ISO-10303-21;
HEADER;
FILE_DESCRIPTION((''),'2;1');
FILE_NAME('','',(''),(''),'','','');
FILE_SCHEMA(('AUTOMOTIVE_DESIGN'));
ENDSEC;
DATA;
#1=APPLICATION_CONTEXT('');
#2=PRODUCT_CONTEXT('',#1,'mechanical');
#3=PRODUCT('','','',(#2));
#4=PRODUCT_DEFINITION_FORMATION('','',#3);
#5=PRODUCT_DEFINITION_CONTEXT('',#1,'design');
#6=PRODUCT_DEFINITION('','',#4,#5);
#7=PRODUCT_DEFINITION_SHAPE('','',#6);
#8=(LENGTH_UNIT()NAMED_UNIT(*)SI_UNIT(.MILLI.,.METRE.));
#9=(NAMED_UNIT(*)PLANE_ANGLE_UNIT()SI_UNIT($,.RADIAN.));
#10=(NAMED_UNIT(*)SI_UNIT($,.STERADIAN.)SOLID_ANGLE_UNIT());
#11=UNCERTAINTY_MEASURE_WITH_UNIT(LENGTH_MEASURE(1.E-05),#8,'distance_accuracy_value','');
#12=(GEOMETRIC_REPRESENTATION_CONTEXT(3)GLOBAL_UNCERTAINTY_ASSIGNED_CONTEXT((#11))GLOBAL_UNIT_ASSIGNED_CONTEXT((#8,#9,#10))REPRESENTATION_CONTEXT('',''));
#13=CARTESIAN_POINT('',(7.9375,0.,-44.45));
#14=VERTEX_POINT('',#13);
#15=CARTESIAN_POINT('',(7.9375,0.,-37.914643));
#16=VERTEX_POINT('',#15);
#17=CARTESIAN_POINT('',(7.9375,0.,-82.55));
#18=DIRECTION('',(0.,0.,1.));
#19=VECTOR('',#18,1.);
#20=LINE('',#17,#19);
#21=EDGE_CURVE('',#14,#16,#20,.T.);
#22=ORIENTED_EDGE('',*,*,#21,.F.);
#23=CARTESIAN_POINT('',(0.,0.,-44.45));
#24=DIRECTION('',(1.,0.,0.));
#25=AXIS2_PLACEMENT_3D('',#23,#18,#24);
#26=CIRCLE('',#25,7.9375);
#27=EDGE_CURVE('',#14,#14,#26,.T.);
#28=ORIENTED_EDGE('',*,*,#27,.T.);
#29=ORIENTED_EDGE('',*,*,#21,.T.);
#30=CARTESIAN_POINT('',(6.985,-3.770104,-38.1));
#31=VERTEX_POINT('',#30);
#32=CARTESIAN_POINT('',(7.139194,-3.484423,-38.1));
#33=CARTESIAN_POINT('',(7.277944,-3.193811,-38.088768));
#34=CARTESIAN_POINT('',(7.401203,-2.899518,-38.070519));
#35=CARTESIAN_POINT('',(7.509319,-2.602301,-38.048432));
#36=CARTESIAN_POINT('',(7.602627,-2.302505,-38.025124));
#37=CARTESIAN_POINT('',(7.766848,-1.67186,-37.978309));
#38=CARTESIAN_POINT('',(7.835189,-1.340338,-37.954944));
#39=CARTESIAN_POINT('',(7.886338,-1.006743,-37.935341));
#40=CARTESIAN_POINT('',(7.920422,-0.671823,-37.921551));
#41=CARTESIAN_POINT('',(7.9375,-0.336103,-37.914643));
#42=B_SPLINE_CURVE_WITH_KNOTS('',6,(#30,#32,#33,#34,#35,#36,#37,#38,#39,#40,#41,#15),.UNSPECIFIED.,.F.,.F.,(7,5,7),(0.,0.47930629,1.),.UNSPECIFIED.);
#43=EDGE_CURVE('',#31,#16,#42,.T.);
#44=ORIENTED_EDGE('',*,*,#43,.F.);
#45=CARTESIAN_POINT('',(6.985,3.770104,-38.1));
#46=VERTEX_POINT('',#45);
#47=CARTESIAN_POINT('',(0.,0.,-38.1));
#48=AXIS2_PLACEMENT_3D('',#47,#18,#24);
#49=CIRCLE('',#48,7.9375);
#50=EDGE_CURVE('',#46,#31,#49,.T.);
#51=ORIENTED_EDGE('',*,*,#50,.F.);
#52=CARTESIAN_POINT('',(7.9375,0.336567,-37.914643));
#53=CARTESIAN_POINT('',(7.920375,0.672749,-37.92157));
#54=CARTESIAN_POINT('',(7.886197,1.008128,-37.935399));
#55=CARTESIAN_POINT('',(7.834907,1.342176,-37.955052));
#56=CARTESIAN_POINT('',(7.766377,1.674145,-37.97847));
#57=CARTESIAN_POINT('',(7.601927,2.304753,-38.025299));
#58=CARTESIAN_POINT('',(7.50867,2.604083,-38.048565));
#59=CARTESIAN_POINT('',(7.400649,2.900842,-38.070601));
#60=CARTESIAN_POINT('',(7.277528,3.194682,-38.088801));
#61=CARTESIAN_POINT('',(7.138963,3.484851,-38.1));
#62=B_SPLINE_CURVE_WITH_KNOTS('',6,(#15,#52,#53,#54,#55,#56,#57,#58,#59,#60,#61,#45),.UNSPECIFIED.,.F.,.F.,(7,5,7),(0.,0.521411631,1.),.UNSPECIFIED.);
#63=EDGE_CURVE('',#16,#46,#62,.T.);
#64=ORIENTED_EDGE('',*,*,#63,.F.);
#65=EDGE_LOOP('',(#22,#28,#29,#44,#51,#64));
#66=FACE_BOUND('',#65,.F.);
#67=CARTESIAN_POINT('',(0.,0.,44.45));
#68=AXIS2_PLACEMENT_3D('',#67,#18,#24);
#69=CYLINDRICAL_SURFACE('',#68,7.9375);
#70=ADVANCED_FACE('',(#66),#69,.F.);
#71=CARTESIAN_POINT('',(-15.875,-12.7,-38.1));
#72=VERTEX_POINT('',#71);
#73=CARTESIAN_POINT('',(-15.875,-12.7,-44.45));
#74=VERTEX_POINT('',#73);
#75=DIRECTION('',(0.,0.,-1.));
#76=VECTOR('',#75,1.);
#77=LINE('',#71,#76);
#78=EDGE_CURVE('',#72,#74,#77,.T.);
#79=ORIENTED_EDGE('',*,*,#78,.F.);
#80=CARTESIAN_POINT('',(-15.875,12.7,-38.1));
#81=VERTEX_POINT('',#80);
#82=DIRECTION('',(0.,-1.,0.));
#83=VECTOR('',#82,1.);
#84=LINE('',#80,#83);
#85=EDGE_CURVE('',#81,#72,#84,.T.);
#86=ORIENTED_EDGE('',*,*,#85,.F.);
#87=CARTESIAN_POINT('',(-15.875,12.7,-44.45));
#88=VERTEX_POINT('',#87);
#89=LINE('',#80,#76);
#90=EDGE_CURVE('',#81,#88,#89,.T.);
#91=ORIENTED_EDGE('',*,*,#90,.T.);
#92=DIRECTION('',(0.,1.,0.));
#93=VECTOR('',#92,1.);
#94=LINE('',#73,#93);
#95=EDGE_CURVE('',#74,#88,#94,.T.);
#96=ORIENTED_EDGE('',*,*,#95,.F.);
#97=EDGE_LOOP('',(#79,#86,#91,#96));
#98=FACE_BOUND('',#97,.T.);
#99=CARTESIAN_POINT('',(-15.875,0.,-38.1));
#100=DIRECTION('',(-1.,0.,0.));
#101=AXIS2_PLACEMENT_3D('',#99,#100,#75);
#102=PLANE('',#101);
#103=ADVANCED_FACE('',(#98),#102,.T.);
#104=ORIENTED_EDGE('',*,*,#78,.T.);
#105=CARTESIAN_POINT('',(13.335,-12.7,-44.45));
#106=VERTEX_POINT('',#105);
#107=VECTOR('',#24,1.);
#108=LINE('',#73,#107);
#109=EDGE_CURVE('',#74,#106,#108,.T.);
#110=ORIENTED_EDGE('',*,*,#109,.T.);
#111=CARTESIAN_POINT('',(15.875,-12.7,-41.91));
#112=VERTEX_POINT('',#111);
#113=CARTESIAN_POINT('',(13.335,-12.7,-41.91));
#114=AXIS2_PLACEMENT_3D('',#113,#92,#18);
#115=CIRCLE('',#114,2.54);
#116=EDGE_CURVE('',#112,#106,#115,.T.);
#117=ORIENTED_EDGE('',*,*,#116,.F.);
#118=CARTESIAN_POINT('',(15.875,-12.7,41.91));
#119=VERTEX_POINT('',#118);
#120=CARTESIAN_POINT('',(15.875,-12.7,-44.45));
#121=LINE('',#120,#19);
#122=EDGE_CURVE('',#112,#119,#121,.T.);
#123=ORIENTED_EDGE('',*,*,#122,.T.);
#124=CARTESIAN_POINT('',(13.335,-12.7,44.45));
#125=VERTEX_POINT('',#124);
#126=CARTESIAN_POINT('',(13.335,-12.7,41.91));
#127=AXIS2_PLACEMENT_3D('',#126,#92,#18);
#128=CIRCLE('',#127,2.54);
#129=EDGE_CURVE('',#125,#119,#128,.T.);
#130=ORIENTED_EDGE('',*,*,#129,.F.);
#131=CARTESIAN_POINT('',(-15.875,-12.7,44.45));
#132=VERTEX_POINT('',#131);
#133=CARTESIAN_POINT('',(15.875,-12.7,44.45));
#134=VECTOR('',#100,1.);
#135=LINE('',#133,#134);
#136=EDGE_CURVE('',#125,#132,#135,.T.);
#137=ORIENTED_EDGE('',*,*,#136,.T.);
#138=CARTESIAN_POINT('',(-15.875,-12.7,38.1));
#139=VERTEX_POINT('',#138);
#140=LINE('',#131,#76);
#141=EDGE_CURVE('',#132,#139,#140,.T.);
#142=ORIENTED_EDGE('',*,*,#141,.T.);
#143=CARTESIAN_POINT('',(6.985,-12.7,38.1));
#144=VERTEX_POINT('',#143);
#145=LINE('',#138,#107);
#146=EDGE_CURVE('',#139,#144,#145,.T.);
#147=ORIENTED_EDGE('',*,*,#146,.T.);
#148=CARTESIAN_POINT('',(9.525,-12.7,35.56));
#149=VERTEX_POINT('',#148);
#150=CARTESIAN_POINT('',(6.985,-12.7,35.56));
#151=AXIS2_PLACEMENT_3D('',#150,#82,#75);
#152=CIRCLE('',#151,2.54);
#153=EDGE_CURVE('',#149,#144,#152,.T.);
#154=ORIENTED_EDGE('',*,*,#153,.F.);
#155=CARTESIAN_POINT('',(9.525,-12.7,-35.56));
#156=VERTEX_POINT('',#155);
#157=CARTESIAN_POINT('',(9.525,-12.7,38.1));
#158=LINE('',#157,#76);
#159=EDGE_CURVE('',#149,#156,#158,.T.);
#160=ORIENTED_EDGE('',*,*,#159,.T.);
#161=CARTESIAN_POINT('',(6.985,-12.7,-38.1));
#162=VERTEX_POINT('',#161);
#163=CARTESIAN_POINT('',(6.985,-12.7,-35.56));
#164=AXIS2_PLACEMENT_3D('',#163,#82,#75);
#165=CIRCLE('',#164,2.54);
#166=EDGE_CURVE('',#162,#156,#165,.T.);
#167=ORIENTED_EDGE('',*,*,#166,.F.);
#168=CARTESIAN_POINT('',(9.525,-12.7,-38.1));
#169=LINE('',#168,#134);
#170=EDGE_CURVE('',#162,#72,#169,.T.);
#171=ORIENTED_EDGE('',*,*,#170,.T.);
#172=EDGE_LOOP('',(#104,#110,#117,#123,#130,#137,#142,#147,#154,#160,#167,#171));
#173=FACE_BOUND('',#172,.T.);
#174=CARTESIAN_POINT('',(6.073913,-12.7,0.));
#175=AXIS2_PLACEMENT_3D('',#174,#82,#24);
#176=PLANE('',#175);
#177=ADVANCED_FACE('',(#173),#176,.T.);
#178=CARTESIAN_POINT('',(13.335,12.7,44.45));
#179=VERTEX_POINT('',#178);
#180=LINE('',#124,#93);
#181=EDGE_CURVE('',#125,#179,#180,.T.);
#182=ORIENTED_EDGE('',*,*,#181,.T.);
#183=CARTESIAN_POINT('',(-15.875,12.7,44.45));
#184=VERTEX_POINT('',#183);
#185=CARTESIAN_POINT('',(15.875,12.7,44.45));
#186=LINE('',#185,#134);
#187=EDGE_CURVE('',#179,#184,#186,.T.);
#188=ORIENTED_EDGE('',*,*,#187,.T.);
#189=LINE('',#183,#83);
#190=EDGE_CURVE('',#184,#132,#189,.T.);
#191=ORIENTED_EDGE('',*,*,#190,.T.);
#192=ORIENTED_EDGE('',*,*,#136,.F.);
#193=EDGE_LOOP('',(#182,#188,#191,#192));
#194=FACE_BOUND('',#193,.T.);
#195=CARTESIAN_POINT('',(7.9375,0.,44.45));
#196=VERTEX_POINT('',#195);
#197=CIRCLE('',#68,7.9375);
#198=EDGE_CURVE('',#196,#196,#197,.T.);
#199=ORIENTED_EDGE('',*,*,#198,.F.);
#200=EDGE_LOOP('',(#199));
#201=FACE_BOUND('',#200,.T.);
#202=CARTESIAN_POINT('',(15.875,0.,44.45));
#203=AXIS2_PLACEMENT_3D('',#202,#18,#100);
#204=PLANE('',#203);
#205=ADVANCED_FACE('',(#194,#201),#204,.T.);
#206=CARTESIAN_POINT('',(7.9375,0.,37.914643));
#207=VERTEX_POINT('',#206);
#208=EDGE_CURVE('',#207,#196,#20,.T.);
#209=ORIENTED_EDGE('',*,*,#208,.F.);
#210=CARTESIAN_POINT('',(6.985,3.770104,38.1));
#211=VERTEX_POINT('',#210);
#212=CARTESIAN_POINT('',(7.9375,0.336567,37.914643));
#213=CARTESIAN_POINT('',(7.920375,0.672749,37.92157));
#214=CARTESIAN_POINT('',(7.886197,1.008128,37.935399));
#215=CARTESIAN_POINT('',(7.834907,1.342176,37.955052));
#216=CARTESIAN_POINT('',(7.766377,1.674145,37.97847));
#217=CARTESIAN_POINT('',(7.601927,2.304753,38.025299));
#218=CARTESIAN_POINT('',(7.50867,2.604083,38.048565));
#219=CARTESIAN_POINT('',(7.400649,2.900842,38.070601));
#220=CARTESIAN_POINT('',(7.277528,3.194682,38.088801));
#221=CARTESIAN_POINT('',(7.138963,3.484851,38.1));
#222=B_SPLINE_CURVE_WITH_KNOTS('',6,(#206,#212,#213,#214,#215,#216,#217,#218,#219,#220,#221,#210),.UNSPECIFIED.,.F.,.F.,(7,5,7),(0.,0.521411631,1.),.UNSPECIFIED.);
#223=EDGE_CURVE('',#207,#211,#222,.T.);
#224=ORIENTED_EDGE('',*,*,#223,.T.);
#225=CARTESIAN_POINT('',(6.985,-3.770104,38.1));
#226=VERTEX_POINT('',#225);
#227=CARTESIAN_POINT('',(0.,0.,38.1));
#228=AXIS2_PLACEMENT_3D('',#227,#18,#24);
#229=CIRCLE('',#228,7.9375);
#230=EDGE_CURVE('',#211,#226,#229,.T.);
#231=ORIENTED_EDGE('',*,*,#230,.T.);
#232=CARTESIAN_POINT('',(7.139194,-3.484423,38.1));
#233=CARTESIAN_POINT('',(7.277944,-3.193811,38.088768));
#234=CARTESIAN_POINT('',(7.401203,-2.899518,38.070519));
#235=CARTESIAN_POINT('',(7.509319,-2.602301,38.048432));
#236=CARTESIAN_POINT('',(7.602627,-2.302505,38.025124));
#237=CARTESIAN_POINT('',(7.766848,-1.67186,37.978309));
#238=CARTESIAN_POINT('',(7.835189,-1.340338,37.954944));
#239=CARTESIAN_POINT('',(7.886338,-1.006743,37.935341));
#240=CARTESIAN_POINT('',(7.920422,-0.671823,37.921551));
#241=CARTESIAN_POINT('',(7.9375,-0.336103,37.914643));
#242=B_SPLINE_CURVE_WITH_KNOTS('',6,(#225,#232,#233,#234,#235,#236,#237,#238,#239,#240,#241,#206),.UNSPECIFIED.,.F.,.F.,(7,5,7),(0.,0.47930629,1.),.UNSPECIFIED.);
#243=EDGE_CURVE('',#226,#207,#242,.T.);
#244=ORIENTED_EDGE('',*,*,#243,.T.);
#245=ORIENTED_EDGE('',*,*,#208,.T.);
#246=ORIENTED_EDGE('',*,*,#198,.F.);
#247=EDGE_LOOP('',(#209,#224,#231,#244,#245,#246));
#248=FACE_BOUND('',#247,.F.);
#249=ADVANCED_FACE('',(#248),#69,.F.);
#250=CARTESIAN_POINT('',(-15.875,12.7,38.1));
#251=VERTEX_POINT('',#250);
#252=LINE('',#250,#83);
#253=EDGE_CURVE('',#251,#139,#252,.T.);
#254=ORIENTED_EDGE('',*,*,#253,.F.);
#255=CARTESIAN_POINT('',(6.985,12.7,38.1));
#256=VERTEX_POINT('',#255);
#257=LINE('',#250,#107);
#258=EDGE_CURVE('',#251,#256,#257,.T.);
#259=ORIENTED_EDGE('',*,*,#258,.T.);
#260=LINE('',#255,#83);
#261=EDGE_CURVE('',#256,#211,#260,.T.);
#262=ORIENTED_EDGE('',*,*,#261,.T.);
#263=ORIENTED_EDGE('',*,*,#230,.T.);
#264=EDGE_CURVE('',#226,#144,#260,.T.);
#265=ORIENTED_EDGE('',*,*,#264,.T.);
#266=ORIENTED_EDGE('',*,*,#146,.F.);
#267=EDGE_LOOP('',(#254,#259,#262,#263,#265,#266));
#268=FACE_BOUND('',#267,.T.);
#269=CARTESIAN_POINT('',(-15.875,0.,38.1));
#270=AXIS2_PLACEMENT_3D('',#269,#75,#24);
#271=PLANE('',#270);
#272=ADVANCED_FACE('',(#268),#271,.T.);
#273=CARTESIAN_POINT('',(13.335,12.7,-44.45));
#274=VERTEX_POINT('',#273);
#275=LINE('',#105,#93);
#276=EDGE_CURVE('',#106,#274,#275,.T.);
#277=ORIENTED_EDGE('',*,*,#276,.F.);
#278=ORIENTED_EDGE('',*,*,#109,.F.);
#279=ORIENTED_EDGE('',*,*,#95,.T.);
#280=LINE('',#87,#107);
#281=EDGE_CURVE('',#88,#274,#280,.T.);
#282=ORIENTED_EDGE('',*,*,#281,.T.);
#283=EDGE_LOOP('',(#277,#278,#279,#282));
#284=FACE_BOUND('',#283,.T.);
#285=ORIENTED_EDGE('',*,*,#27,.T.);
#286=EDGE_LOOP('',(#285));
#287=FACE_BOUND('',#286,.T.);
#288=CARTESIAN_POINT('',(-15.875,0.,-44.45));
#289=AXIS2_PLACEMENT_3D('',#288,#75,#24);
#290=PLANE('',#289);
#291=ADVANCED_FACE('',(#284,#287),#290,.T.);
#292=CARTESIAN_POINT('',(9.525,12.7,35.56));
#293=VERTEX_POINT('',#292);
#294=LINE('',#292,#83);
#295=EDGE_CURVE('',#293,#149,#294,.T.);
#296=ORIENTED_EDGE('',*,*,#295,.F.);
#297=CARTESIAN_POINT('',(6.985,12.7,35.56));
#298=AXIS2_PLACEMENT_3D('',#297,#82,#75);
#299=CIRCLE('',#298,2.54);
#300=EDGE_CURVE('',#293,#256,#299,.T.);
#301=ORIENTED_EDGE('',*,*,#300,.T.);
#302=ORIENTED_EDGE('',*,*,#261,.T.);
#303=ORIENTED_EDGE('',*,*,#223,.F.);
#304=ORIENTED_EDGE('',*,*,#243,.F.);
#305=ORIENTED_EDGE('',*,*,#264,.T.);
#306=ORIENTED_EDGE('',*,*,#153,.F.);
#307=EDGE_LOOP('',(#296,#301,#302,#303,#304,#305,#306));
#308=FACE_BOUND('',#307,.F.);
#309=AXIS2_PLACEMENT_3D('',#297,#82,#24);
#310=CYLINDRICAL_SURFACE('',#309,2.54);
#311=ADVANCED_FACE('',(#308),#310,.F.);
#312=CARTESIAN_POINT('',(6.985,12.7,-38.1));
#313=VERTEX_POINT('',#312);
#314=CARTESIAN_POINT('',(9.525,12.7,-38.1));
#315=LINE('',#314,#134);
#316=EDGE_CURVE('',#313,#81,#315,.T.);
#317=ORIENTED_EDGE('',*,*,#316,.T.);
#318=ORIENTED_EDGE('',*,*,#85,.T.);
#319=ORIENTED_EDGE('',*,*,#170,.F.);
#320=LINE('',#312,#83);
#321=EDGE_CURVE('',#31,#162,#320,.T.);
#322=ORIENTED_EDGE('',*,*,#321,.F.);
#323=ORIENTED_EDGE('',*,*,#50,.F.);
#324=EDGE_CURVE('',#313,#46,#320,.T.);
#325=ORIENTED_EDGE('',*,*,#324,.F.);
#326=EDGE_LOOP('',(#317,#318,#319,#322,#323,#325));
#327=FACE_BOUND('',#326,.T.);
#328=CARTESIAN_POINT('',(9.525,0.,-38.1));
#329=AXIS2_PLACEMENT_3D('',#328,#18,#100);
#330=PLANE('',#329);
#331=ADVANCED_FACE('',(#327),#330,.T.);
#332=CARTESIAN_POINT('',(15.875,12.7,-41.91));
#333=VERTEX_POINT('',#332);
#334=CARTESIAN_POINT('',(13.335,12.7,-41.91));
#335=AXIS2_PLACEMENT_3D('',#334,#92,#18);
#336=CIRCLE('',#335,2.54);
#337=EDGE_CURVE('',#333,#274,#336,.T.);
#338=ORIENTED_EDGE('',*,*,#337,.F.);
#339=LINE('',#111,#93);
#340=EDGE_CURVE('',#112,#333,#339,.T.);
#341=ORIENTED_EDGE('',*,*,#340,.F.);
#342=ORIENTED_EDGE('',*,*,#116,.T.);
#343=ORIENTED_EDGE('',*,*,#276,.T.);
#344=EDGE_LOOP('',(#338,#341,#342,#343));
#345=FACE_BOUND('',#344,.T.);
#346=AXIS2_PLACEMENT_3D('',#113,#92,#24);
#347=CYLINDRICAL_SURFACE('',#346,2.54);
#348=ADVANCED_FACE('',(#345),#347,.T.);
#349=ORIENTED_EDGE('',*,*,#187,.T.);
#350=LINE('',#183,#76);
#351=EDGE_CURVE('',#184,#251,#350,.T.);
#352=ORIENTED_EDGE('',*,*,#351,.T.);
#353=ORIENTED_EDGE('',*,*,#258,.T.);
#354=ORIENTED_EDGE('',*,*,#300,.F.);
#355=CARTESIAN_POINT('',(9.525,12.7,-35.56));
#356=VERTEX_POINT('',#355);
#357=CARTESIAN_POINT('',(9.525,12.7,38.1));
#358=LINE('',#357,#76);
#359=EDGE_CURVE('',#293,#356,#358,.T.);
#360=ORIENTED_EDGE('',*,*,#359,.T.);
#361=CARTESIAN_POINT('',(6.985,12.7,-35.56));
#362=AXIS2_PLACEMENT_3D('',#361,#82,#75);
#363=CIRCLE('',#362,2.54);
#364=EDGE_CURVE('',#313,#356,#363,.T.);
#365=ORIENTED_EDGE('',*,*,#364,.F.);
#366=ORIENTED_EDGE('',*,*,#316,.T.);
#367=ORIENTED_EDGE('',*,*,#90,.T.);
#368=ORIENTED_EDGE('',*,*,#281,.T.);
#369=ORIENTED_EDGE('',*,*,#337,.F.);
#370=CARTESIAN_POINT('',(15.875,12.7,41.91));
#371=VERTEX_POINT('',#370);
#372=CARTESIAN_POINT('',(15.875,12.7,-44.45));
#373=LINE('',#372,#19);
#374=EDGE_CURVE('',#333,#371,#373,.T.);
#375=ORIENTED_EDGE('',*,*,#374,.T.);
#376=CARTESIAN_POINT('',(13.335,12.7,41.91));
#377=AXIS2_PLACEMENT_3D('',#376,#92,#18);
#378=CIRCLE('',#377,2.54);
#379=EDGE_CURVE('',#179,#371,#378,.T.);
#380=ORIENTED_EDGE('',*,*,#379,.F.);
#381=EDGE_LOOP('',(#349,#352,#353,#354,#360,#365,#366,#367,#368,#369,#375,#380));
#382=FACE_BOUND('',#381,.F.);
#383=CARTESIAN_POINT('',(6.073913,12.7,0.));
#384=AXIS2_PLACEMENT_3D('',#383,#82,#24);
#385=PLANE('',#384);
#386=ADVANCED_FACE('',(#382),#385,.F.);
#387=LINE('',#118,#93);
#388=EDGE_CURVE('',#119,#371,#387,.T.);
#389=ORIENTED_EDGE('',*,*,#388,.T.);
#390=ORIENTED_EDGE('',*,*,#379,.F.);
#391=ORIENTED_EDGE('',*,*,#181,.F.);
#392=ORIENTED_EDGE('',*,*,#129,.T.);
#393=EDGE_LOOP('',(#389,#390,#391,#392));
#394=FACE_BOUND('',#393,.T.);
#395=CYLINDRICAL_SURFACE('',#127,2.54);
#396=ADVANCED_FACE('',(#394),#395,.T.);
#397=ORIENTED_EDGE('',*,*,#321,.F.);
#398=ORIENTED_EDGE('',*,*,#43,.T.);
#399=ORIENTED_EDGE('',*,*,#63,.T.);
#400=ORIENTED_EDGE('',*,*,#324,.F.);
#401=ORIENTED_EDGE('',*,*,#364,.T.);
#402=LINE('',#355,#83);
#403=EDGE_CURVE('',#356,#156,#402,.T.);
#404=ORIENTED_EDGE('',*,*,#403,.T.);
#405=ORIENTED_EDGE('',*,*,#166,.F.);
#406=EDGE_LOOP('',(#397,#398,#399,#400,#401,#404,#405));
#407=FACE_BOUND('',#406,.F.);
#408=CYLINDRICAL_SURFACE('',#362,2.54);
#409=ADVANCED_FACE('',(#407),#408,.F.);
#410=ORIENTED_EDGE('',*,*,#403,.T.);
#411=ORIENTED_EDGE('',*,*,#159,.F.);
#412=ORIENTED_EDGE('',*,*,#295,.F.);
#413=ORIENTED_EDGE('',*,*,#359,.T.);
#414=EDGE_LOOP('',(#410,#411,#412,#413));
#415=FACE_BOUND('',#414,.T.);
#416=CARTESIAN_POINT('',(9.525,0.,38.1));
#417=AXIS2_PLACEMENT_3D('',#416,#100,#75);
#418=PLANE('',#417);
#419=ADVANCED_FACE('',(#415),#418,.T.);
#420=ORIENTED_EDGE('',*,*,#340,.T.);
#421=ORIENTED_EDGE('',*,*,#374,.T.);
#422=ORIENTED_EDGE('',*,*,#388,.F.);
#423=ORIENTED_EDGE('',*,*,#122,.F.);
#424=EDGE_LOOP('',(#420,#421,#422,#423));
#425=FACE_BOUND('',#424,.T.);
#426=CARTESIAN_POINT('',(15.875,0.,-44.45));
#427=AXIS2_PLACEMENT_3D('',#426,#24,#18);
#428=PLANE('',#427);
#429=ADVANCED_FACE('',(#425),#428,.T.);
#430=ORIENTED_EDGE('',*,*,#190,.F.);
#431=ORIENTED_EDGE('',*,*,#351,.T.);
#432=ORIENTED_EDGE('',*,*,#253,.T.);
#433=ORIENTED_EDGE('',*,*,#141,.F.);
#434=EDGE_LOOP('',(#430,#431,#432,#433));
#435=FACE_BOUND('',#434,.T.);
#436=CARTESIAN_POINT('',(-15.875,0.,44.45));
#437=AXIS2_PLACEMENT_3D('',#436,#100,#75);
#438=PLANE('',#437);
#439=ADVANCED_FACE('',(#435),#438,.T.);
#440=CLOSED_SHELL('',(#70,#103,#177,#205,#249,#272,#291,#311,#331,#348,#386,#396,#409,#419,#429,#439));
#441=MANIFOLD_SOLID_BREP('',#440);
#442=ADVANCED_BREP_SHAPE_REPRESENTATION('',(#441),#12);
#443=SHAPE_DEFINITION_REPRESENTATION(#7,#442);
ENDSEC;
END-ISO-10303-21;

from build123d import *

# Parameters (mm, degrees)
F1_DEPTH = 12.7
F2_R     = 2.54
F3_R     = 7.9375
F4_DEPTH = 127


with BuildPart() as f1:
    # F0 (on Front) → F1 (new body, symmetric)
    with BuildSketch(Plane.XZ):
        Polygon((15.875, 44.45), (-15.875, 44.45), (-15.875, 38.1), (9.525, 38.1), (9.525, -38.1), (-15.875, -38.1), (-15.875, -44.45), (15.875, -44.45), align=None)
    extrude(amount=F1_DEPTH, both=True)

    # F2
    f2_edges = [f1.edges().sort_by_distance(p)[0] for p in [
        (15.875, 0, 44.45),
        (15.875, 0, -44.45),
        (9.525, 0, 38.1),
        (9.525, 0, -38.1),
    ]]
    fillet(f2_edges, radius=F2_R)

    # F3 (on face) → F4 (cut, symmetric)
    with BuildSketch(Plane.XY.offset(44.45)):
        Circle(F3_R)
    extrude(amount=F4_DEPTH, both=True, mode=Mode.SUBTRACT)


solid = f1.part
